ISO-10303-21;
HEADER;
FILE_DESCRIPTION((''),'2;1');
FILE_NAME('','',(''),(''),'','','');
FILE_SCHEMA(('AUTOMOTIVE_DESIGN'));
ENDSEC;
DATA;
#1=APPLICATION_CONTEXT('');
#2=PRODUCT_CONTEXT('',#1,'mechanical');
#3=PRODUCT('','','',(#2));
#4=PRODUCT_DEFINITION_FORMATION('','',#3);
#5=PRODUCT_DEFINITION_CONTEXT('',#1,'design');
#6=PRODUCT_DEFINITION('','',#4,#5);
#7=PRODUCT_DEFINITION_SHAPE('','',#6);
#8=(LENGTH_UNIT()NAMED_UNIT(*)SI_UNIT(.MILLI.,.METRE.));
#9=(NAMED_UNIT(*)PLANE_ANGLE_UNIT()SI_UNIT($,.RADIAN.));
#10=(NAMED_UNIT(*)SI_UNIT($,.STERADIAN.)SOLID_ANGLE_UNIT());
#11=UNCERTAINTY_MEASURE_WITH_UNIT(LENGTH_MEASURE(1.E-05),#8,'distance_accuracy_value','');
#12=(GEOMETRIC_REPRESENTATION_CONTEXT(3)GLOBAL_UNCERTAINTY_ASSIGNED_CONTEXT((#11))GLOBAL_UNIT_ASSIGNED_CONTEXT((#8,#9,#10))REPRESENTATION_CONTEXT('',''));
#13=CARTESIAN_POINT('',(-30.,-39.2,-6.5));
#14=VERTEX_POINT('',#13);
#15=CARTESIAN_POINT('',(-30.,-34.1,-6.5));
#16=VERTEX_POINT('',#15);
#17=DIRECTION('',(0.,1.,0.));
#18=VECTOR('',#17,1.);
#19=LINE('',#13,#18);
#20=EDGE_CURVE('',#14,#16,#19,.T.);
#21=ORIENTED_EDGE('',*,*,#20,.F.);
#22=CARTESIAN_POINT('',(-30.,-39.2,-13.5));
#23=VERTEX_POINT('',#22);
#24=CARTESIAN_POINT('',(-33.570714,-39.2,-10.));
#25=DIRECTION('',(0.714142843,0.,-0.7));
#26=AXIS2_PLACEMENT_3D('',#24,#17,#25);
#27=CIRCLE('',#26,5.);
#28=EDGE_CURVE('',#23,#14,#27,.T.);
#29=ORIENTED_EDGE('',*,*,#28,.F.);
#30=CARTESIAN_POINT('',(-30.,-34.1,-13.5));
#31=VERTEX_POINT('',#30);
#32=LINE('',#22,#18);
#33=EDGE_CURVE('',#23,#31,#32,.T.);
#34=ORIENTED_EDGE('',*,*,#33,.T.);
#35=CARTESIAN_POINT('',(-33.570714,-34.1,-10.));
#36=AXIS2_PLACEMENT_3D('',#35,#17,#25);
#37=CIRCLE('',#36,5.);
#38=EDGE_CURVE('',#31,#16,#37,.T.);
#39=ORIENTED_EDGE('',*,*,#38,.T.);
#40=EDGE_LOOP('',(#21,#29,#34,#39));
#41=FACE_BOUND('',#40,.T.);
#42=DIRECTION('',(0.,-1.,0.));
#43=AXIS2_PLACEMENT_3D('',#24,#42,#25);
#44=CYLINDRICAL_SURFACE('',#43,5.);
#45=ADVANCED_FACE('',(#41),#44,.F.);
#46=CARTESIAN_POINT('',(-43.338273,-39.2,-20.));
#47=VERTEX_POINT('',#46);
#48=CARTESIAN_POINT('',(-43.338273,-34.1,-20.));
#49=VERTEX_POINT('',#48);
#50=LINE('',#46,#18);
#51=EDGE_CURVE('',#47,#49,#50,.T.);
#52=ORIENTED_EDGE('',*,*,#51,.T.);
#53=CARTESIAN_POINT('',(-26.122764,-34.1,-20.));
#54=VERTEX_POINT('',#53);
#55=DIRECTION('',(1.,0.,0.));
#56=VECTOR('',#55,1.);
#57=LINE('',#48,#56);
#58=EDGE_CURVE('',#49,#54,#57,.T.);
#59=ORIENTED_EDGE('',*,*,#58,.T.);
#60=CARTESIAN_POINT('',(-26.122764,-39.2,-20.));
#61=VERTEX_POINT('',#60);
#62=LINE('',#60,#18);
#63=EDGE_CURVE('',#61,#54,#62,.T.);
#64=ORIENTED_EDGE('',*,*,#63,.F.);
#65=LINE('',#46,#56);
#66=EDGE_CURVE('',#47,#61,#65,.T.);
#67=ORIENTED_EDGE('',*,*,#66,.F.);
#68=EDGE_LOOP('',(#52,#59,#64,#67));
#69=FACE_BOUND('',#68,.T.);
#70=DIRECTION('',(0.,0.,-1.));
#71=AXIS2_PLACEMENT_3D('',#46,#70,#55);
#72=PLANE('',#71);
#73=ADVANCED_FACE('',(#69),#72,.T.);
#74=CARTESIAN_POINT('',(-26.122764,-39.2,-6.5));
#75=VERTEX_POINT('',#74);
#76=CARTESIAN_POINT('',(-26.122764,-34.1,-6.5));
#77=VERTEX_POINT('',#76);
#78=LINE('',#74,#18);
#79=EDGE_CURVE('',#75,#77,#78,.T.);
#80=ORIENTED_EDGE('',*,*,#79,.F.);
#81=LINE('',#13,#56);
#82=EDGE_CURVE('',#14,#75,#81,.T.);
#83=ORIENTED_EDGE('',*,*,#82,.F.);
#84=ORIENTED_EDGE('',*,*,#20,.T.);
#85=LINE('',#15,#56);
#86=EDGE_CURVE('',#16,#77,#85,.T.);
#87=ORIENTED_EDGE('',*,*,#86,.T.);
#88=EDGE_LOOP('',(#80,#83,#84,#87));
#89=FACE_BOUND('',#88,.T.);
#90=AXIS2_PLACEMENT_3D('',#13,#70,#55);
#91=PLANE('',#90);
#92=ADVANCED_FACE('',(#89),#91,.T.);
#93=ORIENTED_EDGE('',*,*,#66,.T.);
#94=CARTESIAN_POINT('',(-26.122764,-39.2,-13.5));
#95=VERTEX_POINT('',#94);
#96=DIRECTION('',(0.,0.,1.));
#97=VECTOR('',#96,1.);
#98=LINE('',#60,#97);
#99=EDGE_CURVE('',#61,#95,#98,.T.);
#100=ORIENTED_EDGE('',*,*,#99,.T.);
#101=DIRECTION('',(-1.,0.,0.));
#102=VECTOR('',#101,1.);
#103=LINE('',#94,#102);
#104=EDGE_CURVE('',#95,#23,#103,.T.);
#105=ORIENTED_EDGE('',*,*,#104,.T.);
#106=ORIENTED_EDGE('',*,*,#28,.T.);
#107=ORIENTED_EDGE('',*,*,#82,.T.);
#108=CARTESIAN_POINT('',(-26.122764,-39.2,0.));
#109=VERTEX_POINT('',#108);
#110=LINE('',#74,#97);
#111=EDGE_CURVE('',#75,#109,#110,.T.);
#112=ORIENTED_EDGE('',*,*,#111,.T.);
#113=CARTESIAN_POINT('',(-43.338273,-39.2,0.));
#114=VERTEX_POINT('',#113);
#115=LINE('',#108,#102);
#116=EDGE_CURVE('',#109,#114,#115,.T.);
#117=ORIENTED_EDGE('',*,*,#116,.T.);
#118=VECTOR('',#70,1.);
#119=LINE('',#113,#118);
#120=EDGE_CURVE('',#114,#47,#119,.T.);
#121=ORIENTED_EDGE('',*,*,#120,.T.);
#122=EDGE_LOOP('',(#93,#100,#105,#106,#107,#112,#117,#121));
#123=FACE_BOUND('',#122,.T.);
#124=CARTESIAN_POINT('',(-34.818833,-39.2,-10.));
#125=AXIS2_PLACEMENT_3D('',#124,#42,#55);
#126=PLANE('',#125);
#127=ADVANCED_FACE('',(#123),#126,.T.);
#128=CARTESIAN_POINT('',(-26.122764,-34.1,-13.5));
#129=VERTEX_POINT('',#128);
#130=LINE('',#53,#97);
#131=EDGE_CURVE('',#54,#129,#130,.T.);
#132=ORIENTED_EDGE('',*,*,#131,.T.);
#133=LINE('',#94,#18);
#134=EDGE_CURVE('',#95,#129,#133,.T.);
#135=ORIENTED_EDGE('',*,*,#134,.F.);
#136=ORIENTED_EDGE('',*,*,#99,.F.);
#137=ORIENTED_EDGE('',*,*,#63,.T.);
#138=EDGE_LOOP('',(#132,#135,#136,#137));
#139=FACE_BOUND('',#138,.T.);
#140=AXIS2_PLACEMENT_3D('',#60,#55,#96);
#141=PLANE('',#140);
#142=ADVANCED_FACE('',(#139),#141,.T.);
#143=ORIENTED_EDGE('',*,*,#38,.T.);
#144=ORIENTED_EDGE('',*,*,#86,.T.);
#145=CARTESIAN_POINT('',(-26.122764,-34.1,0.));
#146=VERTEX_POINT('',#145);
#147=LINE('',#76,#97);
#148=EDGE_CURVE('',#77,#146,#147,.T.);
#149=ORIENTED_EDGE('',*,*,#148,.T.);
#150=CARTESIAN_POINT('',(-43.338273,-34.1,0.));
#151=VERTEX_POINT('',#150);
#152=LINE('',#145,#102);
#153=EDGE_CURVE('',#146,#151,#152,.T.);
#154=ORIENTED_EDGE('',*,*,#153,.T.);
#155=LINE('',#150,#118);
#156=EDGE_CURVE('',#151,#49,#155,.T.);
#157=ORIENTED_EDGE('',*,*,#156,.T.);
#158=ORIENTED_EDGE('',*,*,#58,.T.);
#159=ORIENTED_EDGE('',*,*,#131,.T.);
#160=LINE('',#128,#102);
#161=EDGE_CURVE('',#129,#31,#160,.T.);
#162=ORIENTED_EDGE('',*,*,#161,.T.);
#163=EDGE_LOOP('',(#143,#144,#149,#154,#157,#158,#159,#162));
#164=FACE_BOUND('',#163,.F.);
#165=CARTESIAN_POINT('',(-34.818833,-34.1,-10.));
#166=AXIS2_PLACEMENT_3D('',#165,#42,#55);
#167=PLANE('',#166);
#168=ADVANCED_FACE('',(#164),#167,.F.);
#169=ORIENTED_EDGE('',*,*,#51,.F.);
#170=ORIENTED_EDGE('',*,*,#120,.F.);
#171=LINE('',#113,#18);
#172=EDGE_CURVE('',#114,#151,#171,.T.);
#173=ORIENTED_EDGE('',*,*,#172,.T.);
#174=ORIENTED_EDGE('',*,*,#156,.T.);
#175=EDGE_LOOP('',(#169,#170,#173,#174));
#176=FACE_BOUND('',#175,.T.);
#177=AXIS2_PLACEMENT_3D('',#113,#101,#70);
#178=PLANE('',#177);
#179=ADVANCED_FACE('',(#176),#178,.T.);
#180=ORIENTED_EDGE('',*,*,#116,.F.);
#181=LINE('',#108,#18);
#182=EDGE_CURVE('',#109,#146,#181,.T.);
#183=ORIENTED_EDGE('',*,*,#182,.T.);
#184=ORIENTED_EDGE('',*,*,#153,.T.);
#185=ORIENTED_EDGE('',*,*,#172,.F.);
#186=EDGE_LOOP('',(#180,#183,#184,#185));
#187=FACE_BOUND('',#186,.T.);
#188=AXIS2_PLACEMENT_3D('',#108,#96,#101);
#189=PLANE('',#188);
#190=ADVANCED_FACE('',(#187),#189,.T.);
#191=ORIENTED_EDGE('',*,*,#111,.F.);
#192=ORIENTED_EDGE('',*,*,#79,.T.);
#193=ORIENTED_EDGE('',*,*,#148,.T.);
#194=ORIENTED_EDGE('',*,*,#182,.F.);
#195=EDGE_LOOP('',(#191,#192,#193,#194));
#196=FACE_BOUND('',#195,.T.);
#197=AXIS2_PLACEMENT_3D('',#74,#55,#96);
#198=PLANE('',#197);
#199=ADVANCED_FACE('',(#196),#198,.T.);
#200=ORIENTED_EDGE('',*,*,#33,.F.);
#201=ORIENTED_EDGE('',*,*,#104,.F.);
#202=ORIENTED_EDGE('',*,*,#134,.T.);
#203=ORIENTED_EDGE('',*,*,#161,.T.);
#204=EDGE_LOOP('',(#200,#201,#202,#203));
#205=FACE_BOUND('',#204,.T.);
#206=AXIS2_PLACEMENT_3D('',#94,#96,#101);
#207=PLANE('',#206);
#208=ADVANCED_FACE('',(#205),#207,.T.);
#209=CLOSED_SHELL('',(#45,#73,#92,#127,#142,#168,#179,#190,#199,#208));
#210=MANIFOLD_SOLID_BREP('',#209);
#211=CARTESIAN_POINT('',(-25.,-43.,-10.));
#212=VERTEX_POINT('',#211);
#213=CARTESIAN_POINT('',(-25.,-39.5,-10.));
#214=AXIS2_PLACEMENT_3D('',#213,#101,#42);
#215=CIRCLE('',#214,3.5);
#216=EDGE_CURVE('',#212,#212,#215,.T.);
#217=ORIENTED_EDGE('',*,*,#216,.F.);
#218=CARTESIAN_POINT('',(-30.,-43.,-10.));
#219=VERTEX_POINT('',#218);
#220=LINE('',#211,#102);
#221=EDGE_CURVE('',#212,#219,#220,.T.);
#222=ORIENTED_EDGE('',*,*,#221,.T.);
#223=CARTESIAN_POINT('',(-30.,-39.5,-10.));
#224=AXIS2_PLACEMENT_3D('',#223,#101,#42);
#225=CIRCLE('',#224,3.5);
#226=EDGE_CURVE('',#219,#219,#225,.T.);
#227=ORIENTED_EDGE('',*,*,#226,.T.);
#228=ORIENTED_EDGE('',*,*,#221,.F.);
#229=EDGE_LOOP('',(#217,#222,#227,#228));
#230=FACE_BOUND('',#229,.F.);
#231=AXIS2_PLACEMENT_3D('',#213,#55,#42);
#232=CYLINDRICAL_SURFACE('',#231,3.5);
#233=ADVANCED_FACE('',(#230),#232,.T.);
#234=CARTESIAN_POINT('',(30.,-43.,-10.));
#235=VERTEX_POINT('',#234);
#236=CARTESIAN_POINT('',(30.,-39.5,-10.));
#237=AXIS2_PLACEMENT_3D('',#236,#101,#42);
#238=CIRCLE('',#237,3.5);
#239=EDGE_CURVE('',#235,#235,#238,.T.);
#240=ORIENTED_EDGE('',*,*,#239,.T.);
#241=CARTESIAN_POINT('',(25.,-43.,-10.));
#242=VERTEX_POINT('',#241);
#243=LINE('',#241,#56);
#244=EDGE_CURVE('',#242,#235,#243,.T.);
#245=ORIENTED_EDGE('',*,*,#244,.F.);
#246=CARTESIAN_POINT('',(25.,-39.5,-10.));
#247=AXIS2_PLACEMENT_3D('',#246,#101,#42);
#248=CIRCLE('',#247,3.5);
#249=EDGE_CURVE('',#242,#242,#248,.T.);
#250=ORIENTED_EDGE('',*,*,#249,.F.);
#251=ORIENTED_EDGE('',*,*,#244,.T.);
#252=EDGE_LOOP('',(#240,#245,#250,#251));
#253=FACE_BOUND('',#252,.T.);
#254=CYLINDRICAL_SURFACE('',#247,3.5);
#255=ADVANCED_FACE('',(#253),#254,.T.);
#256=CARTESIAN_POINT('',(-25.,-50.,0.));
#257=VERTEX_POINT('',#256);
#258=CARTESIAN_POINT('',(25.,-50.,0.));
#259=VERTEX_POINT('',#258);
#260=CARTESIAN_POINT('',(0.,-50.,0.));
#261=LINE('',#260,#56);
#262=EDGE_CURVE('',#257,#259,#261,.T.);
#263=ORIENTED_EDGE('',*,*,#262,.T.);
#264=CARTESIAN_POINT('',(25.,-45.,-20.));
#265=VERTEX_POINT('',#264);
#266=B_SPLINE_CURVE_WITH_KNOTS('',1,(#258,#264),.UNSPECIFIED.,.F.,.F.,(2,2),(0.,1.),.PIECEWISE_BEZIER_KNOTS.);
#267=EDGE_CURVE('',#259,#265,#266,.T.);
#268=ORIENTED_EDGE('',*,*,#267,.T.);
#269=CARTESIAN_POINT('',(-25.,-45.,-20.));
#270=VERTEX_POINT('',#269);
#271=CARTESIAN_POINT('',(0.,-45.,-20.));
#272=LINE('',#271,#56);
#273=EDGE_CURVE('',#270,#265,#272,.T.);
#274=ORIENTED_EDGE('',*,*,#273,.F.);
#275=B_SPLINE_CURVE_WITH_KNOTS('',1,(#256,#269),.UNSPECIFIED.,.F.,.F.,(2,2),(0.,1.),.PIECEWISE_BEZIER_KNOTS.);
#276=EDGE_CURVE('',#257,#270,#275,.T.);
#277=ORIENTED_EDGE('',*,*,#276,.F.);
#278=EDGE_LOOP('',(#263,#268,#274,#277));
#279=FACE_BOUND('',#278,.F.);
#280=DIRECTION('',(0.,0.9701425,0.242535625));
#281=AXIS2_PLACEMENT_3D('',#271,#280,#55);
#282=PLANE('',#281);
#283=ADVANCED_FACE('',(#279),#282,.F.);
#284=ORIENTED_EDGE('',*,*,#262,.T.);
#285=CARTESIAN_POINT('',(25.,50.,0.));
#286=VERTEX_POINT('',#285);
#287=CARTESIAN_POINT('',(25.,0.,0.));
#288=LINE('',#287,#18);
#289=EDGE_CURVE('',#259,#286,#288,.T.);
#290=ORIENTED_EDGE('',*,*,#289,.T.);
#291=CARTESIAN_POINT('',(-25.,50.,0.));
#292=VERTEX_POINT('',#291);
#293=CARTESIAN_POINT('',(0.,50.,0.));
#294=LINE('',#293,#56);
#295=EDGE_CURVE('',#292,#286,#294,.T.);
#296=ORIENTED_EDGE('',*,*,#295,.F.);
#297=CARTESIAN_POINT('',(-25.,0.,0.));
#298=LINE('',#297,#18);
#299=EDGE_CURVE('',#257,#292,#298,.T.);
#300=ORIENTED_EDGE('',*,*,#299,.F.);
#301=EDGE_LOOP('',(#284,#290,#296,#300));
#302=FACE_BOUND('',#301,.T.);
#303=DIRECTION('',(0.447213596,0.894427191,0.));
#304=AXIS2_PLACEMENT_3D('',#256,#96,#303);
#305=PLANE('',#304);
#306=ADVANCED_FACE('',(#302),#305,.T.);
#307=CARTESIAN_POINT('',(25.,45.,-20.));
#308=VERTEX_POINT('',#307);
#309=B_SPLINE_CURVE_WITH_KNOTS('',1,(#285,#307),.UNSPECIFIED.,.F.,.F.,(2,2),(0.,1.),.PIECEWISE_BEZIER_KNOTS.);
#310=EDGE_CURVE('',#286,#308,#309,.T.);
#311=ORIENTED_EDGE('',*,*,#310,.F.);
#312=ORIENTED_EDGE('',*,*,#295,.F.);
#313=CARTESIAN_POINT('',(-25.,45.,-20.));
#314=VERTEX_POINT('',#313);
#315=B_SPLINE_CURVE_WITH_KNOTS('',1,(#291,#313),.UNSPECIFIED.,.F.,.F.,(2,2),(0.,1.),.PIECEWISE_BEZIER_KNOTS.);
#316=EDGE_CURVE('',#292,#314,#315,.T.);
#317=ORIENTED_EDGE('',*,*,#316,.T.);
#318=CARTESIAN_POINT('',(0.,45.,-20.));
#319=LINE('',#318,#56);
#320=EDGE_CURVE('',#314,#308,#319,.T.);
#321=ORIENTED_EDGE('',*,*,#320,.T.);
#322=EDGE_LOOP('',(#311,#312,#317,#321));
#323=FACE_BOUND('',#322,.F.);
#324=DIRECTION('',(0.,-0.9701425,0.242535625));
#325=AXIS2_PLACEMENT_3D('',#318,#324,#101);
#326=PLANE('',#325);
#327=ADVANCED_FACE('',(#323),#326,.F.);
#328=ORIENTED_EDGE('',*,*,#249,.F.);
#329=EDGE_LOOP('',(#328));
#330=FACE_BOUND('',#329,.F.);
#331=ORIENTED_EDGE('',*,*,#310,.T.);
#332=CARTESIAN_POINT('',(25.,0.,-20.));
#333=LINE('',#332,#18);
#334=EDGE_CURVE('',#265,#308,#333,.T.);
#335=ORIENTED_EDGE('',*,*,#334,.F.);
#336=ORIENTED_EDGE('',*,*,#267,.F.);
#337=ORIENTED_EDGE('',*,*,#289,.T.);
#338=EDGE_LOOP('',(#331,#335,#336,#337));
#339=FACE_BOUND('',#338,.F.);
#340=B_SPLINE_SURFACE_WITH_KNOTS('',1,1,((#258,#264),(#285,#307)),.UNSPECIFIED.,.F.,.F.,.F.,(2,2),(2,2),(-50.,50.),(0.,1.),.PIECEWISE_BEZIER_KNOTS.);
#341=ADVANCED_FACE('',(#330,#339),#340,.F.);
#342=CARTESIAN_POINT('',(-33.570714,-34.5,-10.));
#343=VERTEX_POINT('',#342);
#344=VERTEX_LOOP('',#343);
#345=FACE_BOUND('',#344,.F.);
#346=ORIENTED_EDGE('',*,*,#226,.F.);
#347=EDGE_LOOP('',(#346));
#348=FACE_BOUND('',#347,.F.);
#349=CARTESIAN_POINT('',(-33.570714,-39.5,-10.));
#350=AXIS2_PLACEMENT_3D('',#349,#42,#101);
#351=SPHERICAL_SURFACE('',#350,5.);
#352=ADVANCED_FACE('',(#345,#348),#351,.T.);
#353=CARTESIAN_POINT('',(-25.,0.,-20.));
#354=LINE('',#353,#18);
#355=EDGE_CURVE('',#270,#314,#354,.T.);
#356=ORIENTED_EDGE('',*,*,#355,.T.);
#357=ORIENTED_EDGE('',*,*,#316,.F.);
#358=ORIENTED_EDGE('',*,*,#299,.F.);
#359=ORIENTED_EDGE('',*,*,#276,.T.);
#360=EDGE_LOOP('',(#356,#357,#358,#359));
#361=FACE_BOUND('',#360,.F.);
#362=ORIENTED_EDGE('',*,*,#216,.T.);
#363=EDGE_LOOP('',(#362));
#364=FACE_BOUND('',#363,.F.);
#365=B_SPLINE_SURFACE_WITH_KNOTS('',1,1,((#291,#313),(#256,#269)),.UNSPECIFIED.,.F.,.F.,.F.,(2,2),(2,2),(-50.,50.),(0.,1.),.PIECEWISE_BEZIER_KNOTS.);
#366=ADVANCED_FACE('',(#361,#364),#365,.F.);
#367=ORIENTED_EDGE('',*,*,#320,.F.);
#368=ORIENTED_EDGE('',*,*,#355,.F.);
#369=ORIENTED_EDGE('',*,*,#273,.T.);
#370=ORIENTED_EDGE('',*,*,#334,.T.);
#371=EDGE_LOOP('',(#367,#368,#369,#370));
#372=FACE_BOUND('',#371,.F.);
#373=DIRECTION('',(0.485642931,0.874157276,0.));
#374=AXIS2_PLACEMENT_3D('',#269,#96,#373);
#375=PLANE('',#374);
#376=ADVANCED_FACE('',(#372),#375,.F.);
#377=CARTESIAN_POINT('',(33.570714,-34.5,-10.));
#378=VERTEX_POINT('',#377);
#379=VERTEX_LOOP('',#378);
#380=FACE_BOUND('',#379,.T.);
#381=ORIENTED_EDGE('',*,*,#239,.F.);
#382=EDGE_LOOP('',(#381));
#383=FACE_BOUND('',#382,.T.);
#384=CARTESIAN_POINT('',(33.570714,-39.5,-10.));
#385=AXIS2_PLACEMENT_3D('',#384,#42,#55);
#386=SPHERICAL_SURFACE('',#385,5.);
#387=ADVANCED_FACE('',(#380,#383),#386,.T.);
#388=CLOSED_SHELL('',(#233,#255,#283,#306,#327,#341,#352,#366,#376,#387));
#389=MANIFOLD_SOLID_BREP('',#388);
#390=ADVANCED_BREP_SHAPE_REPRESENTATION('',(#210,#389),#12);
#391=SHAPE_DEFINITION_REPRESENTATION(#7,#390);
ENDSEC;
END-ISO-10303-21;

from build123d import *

# Parameters (mm, degrees)
F0_W      = 50
F0_H      = 100
F2_W      = 50
F2_H      = 90
F4_R      = 3.5
F5_DEPTH  = 5
F12_DEPTH = 5.1


with BuildPart() as f3:
    # F0 (on Top) → F3 section 0
    with BuildSketch(Plane.XY):
        Rectangle(F0_W, F0_H)
    # F2 (on offset) → F3 section 1
    with BuildSketch(Plane.XY.offset(-20)):
        Rectangle(F2_W, F2_H)
    loft()

    # F4 (on face) → F5 (join)
    with BuildSketch(Plane(origin=(-25, 0, 0), x_dir=(0, -1, 0), z_dir=(-1, 0, 0))):
        with Locations((39.5, -10)):
            Circle(F4_R)
    extrude(amount=F5_DEPTH)

    # F7 (on line) → F8 (revolve)
    with BuildSketch(Plane.XY.offset(-10)):
        with BuildLine():
            Line((-33.5707142143, -44.5), (-33.5707142143, -34.5))
            ThreePointArc((-33.5707142143, -34.5), (-38.5707142143, -39.5), (-33.5707142143, -44.5))
        make_face()
    revolve(axis=Axis((-33.5707142143, -39.5, -10), (0, 1, 0)))

    # F9: F3 across plane


with BuildPart() as f3_1:
    add(f3.part)
    add(f3.part.mirror(Plane.YZ))


with BuildPart() as f12:
    # F11 (on offset) → F12 (new body)
    with BuildSketch(Plane.XZ.offset(39.2)):
        with BuildLine():
            ThreePointArc((-30, -13.5), (-38.5707142143, -10), (-30, -6.5))
            Line((-30, -6.5), (-26.1227637529, -6.5))
            Line((-26.1227637529, -6.5), (-26.1227637529, 0))
            Line((-26.1227637529, 0), (-43.3382727206, 0))
            Line((-43.3382727206, 0), (-43.3382727206, -20))
            Line((-43.3382727206, -20), (-26.1227637529, -20))
            Line((-26.1227637529, -20), (-26.1227637529, -13.5))
            Line((-26.1227637529, -13.5), (-30, -13.5))
        make_face()
    extrude(amount=-F12_DEPTH)


solid = Compound([f3_1.part, f12.part])
